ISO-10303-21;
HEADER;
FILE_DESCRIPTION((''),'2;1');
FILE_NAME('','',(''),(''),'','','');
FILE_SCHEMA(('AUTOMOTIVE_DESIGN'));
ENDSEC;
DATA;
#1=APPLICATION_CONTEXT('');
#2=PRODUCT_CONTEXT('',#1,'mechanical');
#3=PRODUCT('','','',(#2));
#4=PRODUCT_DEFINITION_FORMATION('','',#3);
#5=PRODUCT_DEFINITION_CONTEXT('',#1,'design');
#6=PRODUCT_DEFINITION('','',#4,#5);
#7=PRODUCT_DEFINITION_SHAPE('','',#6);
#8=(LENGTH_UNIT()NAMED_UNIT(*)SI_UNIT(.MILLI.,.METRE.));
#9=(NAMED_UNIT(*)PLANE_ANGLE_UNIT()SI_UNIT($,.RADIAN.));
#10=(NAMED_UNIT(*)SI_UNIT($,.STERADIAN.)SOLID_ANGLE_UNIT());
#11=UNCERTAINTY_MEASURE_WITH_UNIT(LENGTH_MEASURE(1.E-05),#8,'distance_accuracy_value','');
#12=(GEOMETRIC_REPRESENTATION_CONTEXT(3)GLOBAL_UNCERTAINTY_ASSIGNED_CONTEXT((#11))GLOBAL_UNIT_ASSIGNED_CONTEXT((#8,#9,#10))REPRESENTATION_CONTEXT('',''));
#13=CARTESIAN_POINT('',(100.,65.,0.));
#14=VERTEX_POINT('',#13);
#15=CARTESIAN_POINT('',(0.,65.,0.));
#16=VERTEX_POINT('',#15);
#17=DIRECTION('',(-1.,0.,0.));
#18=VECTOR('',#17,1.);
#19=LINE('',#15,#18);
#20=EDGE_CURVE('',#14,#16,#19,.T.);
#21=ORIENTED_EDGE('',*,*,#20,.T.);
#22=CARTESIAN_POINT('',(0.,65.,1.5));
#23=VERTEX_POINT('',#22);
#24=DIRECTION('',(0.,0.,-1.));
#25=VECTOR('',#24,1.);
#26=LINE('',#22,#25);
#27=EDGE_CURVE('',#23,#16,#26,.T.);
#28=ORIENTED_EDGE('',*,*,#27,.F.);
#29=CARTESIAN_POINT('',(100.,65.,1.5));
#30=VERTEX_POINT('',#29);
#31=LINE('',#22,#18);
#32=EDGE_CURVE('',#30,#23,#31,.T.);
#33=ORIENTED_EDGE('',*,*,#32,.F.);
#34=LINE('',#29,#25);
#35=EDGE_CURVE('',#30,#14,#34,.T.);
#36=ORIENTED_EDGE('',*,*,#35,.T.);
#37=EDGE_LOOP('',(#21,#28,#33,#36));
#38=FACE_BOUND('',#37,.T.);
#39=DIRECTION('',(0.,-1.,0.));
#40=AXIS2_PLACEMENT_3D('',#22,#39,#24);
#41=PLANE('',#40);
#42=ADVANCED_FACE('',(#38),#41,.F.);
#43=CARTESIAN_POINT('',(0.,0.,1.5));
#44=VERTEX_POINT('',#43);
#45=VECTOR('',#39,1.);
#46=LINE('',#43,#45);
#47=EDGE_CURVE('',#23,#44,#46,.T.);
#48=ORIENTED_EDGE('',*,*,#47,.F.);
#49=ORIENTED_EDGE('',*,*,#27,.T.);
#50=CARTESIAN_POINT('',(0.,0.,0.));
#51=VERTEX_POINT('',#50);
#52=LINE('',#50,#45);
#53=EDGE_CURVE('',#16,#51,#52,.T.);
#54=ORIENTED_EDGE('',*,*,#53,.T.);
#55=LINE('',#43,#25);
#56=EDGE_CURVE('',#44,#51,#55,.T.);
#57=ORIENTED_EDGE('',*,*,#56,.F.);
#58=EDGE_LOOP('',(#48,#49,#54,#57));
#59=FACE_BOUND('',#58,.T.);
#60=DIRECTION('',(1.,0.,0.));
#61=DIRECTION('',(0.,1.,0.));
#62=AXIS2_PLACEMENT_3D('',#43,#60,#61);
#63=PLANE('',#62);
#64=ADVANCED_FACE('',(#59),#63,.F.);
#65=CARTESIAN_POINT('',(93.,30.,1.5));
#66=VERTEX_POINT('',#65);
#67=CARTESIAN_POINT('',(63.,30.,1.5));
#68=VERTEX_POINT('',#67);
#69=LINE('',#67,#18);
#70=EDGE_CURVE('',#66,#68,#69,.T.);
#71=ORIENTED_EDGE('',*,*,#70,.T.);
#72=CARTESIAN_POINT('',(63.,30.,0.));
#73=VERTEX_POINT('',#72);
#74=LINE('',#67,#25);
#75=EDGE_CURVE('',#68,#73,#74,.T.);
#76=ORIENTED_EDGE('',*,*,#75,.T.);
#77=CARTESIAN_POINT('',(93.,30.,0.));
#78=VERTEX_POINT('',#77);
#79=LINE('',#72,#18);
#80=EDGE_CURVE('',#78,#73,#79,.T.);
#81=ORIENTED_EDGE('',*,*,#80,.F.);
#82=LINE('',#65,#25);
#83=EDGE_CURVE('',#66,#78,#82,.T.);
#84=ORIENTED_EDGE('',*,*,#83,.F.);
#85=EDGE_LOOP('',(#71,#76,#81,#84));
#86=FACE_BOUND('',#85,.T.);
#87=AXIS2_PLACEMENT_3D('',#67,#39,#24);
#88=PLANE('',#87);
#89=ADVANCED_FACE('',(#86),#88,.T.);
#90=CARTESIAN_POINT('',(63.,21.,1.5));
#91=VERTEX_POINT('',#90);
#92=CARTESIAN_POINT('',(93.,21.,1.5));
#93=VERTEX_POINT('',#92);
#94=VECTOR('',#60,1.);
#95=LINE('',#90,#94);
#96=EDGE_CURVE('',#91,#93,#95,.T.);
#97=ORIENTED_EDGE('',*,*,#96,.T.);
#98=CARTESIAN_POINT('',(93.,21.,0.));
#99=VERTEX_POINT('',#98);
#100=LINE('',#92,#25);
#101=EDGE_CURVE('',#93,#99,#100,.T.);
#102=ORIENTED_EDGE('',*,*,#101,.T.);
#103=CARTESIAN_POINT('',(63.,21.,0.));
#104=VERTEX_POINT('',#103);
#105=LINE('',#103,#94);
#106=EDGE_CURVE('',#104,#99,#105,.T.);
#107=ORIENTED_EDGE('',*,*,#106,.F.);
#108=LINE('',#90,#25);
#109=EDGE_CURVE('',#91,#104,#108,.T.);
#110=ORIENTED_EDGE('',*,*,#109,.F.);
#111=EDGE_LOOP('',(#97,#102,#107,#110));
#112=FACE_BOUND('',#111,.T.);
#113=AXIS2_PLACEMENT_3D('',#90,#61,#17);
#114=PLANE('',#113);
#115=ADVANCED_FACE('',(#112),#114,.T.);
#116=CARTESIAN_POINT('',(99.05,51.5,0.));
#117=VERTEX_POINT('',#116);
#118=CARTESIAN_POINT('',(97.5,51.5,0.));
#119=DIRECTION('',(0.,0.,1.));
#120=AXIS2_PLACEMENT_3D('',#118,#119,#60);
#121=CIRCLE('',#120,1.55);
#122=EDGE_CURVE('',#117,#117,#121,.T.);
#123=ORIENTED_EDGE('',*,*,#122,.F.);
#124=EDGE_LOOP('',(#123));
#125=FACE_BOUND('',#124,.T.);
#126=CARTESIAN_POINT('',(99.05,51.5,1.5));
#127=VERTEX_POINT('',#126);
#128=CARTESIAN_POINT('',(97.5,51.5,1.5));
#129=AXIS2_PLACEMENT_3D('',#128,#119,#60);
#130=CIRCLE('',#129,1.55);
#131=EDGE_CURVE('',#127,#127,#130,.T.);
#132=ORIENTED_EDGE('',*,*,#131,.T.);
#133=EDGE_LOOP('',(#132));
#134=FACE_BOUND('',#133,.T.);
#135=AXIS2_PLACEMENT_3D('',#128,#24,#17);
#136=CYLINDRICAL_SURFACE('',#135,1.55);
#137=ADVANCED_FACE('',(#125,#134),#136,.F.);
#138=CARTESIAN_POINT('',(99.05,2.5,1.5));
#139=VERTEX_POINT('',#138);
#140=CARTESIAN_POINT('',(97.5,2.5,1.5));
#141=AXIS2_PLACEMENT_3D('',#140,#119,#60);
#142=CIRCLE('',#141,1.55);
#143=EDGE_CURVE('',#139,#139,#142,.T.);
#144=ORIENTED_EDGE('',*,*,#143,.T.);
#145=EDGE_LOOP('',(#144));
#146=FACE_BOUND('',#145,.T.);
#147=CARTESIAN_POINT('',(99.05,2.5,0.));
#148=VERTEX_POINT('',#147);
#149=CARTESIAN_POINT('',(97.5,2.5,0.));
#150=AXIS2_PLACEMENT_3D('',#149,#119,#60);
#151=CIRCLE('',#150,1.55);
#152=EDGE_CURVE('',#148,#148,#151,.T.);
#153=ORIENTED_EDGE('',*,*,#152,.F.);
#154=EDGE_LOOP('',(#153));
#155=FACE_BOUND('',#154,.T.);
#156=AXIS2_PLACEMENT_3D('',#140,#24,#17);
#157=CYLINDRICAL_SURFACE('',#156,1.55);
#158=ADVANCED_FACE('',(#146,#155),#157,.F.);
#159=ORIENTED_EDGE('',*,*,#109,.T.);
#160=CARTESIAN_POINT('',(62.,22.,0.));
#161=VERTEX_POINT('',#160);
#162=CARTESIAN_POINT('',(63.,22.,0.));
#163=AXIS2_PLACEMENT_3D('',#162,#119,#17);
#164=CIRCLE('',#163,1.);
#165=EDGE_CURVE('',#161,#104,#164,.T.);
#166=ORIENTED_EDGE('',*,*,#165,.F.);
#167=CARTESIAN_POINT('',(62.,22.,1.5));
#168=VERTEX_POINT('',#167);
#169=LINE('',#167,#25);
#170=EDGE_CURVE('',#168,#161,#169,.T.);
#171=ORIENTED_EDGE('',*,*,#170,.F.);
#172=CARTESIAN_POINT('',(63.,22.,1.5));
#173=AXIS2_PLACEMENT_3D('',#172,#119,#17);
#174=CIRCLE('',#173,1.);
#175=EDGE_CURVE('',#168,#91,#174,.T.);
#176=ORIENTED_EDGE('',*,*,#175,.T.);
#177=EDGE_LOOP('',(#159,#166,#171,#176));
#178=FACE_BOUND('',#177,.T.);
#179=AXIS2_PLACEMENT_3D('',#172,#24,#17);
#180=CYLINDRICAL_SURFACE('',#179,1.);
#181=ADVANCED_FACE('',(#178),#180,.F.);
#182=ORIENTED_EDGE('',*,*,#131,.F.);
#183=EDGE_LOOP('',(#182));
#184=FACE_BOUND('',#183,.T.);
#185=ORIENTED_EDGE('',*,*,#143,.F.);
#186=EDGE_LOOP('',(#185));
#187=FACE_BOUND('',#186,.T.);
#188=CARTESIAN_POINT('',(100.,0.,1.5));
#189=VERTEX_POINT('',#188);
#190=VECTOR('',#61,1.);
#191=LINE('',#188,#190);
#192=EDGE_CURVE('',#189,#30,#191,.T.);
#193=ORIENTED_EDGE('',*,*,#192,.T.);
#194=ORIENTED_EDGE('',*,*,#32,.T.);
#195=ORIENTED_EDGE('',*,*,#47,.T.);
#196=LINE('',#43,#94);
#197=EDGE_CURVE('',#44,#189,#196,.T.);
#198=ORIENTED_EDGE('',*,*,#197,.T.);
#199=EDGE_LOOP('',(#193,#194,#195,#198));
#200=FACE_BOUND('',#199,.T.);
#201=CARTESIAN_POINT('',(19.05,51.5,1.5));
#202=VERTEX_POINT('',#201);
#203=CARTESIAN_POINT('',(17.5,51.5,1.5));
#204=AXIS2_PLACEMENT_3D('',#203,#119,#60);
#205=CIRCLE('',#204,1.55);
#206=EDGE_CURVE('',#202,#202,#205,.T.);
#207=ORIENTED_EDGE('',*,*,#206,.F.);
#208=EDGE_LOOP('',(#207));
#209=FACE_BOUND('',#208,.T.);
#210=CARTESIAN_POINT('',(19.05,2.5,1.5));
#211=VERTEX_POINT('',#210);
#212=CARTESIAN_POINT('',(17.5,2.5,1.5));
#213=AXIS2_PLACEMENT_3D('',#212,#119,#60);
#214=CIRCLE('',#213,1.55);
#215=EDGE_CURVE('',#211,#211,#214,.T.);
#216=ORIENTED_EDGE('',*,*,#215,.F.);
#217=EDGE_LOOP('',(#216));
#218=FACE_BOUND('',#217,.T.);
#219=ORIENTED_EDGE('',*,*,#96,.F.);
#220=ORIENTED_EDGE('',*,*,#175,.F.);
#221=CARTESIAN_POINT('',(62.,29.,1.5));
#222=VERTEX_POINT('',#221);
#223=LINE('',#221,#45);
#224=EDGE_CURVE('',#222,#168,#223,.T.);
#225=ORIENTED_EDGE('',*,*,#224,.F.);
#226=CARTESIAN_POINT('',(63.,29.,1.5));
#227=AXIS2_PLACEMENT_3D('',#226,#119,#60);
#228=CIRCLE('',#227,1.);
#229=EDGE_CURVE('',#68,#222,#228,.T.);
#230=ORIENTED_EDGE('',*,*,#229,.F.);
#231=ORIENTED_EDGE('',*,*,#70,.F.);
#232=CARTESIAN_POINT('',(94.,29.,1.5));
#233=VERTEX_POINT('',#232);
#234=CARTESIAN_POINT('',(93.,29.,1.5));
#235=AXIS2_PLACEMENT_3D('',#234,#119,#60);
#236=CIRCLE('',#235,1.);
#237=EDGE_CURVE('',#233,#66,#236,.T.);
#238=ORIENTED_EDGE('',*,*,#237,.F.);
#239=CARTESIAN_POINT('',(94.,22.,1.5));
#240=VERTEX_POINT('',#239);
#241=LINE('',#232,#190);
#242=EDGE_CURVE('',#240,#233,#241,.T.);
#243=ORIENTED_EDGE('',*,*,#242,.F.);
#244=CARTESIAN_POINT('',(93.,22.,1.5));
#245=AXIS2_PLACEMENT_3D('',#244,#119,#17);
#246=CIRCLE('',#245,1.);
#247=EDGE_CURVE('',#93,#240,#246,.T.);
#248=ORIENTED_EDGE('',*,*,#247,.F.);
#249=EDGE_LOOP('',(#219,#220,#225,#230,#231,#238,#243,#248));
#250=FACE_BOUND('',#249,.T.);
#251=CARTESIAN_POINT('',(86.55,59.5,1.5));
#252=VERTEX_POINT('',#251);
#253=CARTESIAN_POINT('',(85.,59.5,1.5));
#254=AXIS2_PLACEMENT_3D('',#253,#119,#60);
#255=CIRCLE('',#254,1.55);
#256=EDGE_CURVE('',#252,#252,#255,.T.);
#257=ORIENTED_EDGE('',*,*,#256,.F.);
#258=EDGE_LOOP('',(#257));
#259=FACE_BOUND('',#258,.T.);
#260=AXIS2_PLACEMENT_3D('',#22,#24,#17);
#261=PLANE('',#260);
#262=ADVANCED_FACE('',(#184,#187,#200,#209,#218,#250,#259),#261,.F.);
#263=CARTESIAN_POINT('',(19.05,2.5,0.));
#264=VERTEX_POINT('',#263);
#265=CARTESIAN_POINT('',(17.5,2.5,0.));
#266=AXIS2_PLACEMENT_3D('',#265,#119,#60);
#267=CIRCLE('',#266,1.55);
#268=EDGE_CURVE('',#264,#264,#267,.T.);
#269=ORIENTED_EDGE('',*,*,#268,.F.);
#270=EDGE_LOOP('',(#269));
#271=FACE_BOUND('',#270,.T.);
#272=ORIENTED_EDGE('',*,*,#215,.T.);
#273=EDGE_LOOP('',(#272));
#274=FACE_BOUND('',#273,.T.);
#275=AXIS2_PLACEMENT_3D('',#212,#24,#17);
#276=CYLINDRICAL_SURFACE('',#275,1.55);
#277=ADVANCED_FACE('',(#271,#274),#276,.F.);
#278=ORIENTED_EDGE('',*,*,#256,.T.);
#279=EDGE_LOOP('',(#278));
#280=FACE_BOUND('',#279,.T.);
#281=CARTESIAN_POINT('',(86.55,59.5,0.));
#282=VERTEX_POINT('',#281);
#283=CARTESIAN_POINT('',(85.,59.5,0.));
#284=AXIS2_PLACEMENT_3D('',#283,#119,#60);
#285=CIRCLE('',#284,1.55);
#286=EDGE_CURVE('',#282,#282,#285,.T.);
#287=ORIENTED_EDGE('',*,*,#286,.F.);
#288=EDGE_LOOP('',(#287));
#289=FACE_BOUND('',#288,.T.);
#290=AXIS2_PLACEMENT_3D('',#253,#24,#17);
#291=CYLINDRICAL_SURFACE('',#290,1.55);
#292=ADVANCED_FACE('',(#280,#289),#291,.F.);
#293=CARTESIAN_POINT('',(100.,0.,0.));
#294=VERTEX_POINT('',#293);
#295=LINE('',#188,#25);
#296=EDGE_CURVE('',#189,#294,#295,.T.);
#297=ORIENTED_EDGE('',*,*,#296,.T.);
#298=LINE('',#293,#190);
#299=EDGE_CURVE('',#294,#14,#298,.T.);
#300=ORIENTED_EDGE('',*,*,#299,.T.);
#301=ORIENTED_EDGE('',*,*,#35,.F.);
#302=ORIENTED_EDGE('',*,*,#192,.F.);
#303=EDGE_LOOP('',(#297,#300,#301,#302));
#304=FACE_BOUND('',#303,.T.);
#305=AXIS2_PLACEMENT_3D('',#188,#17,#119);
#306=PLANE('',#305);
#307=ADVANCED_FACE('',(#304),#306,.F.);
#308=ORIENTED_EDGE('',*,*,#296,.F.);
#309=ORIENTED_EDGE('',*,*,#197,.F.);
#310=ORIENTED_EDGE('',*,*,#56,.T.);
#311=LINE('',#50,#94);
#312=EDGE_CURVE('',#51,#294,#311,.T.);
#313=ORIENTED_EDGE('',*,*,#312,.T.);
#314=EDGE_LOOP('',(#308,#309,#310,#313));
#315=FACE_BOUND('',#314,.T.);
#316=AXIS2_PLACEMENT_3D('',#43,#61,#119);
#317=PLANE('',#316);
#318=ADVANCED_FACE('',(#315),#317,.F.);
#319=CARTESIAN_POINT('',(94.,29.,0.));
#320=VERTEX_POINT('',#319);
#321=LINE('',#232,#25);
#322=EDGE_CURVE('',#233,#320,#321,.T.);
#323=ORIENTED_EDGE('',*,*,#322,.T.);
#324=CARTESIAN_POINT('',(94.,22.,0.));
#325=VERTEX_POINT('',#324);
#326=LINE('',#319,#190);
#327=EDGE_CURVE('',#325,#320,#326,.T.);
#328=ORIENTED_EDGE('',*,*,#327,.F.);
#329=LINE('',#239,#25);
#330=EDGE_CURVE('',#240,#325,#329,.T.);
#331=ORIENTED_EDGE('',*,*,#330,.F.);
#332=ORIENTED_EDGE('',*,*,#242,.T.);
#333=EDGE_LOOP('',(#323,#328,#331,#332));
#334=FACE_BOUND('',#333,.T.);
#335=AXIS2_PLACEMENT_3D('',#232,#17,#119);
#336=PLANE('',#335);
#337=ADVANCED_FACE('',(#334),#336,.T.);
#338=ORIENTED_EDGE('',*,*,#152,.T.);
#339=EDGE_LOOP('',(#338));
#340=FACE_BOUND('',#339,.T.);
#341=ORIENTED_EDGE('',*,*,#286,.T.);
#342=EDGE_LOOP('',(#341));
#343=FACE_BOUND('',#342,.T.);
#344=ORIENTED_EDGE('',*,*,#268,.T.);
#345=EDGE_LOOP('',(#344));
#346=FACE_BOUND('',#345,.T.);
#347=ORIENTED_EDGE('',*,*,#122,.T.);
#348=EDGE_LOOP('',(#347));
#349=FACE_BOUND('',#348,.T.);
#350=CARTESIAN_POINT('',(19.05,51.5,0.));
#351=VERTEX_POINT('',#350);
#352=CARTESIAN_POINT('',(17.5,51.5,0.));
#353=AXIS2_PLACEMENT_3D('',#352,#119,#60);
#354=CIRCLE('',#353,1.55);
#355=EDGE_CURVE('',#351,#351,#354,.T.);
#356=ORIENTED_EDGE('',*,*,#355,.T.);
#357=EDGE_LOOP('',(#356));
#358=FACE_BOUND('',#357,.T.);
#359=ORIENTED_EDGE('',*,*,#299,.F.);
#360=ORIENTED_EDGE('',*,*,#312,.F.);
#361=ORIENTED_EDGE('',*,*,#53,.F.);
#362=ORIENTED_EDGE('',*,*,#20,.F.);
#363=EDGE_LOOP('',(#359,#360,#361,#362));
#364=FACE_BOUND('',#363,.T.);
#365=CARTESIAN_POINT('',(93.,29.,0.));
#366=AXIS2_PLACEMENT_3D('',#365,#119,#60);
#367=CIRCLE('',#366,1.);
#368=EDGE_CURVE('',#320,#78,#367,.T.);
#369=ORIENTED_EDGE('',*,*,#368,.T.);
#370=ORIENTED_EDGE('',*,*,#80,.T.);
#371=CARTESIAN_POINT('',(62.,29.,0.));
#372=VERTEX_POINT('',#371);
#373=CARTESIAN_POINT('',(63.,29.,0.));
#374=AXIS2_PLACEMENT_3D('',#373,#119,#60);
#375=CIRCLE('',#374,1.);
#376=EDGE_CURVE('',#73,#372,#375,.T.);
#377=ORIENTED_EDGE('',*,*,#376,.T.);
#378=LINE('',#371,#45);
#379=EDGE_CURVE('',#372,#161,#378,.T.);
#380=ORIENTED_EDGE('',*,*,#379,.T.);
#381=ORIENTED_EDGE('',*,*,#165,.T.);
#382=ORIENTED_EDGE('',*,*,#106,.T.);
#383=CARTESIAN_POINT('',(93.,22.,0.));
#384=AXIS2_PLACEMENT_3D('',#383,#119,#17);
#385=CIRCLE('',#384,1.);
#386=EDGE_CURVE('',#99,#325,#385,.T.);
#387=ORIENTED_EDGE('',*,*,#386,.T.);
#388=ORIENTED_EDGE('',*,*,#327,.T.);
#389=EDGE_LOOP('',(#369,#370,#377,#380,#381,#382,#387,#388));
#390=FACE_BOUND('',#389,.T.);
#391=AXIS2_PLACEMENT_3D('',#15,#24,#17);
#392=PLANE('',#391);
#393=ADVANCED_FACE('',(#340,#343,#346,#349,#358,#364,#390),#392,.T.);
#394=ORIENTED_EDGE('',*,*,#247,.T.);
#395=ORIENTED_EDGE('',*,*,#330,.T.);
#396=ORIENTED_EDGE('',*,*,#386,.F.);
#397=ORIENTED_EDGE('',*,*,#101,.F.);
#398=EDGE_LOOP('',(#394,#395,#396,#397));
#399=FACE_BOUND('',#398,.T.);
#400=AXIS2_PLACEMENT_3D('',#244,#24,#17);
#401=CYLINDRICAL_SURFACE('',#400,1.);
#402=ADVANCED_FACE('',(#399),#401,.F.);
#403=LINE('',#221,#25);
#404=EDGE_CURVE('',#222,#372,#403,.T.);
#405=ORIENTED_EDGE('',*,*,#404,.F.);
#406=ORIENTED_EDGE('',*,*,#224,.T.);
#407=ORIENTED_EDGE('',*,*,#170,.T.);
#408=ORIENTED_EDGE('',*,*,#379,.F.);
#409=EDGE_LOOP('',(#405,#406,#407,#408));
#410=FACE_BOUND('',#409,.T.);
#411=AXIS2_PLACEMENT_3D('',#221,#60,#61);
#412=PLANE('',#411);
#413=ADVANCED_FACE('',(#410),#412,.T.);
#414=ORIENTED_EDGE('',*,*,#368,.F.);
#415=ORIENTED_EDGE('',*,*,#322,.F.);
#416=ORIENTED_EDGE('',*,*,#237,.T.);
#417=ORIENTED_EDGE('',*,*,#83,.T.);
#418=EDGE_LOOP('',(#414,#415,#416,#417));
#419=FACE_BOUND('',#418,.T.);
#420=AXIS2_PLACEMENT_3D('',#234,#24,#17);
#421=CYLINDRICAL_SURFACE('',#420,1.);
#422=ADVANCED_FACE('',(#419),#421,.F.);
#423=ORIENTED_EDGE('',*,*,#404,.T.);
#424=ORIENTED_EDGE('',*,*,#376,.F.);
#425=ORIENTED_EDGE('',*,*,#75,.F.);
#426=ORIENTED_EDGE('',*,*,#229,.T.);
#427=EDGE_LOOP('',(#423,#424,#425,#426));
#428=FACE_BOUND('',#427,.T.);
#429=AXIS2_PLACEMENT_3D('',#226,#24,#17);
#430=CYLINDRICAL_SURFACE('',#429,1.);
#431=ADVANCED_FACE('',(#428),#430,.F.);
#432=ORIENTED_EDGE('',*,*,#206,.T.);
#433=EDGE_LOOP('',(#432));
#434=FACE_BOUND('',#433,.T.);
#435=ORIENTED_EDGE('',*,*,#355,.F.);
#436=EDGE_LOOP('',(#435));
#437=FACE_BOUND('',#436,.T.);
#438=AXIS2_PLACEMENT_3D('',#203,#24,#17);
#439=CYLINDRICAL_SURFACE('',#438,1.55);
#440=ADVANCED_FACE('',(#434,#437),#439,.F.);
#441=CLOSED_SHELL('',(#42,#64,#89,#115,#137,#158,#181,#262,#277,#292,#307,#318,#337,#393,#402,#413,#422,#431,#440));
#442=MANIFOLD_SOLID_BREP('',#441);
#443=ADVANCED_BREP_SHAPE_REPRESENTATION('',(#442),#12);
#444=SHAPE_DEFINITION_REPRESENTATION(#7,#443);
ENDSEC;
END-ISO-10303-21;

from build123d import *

# Parameters (mm, degrees)
SKETCH_1_W      = 100
SKETCH_1_H      = 65
SKETCH_1_R      = 1.55
EXTRUDE_1_DEPTH = 1.5


with BuildPart() as part:
    # Эскиз1 → Бобышка-Вытянуть1 (new body)
    with BuildSketch(Plane.XY):
        with Locations((50, 32.5)):
            Rectangle(SKETCH_1_W, SKETCH_1_H)
        with Locations((17.5, 51.5)):
            Circle(SKETCH_1_R, mode=Mode.SUBTRACT)
        with Locations((97.5, 51.5)):
            Circle(SKETCH_1_R, mode=Mode.SUBTRACT)
        with Locations((97.5, 2.5)):
            Circle(SKETCH_1_R, mode=Mode.SUBTRACT)
        with Locations((17.5, 2.5)):
            Circle(SKETCH_1_R, mode=Mode.SUBTRACT)
        with Locations((85, 59.5)):
            Circle(SKETCH_1_R, mode=Mode.SUBTRACT)
        with BuildLine():
            Line((63, 30), (93, 30))
            ThreePointArc((93, 30), (93.707106781, 29.707106781), (94, 29))
            Line((94, 29), (94, 22))
            ThreePointArc((94, 22), (93.707106781, 21.292893219), (93, 21))
            Line((93, 21), (63, 21))
            ThreePointArc((63, 21), (62.292893219, 21.292893219), (62, 22))
            Line((62, 22), (62, 29))
            ThreePointArc((62, 29), (62.292893219, 29.707106781), (63, 30))
        make_face(mode=Mode.SUBTRACT)
    extrude(amount=EXTRUDE_1_DEPTH)


solid = part.part
